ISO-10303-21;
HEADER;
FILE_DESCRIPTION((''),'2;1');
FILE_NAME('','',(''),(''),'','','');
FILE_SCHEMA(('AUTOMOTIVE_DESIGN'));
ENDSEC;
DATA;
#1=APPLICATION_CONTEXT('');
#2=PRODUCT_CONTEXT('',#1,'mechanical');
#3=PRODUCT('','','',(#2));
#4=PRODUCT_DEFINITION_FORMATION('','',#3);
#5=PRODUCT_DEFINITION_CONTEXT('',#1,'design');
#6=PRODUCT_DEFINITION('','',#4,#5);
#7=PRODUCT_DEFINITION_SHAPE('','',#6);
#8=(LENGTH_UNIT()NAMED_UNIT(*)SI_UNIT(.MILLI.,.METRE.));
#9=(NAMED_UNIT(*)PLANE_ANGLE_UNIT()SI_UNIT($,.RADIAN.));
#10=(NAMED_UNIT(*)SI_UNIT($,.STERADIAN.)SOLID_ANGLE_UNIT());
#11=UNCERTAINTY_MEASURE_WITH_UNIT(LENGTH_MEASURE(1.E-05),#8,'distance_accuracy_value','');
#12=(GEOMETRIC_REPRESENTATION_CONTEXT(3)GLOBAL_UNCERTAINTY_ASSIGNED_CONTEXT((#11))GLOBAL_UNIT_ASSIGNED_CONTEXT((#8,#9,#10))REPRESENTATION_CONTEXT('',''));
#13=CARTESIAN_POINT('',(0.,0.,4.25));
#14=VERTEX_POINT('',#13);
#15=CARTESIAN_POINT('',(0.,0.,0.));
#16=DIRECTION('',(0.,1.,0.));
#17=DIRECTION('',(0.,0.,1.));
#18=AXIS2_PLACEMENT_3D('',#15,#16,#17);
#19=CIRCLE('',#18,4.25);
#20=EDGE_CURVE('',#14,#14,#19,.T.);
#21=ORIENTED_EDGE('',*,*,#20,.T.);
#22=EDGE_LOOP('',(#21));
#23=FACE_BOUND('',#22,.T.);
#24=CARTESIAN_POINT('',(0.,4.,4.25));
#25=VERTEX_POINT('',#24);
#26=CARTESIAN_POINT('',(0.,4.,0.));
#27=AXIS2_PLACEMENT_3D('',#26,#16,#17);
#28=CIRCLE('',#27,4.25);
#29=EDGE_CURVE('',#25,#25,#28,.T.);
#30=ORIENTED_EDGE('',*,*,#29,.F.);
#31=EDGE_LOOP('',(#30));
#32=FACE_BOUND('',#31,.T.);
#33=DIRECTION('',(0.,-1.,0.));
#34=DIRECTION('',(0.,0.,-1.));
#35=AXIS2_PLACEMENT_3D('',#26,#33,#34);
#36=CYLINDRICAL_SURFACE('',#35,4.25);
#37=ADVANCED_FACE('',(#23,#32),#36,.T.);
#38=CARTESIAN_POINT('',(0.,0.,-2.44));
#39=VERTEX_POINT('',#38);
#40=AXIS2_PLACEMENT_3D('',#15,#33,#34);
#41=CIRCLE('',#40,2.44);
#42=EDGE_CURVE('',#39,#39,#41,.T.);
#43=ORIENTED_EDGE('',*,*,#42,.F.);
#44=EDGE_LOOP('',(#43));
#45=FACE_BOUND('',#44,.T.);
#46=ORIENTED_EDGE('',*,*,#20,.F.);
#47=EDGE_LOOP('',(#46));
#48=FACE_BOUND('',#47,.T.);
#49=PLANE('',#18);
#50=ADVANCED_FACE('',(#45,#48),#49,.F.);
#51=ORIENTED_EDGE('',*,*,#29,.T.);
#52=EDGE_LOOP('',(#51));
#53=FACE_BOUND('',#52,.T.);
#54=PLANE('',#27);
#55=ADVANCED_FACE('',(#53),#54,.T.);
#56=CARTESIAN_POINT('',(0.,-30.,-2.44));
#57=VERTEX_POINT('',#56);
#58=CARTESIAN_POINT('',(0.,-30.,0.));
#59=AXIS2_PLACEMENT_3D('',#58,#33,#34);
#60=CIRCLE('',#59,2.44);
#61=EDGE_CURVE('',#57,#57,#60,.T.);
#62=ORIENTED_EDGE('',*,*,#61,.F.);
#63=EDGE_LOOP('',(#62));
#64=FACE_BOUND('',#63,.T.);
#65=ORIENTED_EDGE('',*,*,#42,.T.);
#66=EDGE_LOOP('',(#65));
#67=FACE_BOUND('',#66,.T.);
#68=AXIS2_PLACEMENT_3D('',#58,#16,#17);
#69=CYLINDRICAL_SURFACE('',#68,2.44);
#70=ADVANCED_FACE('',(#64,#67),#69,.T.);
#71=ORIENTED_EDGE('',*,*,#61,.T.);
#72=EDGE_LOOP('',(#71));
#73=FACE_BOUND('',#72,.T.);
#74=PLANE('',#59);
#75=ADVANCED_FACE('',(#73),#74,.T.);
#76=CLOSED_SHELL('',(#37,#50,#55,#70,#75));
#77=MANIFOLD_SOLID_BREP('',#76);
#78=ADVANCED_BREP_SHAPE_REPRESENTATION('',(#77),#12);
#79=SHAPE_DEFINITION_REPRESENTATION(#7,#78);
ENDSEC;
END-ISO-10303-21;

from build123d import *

# Parameters (mm, degrees)
SKETCH1_R           = 4.25
BOSS_EXTRUDE1_DEPTH = 4
SKETCH2_R           = 2.44
BOSS_EXTRUDE2_DEPTH = 30


with BuildPart() as part:
    # Sketch1 → Boss-Extrude1 (new body)
    with BuildSketch(Plane(origin=(0, 0, 0), x_dir=(1, 0, 0), z_dir=(0, 1, 0))):
        Circle(SKETCH1_R)
    extrude(amount=BOSS_EXTRUDE1_DEPTH)

    # Sketch2 → Boss-Extrude2 (add)
    with BuildSketch(Plane.XZ):
        Circle(SKETCH2_R)
    extrude(amount=BOSS_EXTRUDE2_DEPTH)


solid = part.part
